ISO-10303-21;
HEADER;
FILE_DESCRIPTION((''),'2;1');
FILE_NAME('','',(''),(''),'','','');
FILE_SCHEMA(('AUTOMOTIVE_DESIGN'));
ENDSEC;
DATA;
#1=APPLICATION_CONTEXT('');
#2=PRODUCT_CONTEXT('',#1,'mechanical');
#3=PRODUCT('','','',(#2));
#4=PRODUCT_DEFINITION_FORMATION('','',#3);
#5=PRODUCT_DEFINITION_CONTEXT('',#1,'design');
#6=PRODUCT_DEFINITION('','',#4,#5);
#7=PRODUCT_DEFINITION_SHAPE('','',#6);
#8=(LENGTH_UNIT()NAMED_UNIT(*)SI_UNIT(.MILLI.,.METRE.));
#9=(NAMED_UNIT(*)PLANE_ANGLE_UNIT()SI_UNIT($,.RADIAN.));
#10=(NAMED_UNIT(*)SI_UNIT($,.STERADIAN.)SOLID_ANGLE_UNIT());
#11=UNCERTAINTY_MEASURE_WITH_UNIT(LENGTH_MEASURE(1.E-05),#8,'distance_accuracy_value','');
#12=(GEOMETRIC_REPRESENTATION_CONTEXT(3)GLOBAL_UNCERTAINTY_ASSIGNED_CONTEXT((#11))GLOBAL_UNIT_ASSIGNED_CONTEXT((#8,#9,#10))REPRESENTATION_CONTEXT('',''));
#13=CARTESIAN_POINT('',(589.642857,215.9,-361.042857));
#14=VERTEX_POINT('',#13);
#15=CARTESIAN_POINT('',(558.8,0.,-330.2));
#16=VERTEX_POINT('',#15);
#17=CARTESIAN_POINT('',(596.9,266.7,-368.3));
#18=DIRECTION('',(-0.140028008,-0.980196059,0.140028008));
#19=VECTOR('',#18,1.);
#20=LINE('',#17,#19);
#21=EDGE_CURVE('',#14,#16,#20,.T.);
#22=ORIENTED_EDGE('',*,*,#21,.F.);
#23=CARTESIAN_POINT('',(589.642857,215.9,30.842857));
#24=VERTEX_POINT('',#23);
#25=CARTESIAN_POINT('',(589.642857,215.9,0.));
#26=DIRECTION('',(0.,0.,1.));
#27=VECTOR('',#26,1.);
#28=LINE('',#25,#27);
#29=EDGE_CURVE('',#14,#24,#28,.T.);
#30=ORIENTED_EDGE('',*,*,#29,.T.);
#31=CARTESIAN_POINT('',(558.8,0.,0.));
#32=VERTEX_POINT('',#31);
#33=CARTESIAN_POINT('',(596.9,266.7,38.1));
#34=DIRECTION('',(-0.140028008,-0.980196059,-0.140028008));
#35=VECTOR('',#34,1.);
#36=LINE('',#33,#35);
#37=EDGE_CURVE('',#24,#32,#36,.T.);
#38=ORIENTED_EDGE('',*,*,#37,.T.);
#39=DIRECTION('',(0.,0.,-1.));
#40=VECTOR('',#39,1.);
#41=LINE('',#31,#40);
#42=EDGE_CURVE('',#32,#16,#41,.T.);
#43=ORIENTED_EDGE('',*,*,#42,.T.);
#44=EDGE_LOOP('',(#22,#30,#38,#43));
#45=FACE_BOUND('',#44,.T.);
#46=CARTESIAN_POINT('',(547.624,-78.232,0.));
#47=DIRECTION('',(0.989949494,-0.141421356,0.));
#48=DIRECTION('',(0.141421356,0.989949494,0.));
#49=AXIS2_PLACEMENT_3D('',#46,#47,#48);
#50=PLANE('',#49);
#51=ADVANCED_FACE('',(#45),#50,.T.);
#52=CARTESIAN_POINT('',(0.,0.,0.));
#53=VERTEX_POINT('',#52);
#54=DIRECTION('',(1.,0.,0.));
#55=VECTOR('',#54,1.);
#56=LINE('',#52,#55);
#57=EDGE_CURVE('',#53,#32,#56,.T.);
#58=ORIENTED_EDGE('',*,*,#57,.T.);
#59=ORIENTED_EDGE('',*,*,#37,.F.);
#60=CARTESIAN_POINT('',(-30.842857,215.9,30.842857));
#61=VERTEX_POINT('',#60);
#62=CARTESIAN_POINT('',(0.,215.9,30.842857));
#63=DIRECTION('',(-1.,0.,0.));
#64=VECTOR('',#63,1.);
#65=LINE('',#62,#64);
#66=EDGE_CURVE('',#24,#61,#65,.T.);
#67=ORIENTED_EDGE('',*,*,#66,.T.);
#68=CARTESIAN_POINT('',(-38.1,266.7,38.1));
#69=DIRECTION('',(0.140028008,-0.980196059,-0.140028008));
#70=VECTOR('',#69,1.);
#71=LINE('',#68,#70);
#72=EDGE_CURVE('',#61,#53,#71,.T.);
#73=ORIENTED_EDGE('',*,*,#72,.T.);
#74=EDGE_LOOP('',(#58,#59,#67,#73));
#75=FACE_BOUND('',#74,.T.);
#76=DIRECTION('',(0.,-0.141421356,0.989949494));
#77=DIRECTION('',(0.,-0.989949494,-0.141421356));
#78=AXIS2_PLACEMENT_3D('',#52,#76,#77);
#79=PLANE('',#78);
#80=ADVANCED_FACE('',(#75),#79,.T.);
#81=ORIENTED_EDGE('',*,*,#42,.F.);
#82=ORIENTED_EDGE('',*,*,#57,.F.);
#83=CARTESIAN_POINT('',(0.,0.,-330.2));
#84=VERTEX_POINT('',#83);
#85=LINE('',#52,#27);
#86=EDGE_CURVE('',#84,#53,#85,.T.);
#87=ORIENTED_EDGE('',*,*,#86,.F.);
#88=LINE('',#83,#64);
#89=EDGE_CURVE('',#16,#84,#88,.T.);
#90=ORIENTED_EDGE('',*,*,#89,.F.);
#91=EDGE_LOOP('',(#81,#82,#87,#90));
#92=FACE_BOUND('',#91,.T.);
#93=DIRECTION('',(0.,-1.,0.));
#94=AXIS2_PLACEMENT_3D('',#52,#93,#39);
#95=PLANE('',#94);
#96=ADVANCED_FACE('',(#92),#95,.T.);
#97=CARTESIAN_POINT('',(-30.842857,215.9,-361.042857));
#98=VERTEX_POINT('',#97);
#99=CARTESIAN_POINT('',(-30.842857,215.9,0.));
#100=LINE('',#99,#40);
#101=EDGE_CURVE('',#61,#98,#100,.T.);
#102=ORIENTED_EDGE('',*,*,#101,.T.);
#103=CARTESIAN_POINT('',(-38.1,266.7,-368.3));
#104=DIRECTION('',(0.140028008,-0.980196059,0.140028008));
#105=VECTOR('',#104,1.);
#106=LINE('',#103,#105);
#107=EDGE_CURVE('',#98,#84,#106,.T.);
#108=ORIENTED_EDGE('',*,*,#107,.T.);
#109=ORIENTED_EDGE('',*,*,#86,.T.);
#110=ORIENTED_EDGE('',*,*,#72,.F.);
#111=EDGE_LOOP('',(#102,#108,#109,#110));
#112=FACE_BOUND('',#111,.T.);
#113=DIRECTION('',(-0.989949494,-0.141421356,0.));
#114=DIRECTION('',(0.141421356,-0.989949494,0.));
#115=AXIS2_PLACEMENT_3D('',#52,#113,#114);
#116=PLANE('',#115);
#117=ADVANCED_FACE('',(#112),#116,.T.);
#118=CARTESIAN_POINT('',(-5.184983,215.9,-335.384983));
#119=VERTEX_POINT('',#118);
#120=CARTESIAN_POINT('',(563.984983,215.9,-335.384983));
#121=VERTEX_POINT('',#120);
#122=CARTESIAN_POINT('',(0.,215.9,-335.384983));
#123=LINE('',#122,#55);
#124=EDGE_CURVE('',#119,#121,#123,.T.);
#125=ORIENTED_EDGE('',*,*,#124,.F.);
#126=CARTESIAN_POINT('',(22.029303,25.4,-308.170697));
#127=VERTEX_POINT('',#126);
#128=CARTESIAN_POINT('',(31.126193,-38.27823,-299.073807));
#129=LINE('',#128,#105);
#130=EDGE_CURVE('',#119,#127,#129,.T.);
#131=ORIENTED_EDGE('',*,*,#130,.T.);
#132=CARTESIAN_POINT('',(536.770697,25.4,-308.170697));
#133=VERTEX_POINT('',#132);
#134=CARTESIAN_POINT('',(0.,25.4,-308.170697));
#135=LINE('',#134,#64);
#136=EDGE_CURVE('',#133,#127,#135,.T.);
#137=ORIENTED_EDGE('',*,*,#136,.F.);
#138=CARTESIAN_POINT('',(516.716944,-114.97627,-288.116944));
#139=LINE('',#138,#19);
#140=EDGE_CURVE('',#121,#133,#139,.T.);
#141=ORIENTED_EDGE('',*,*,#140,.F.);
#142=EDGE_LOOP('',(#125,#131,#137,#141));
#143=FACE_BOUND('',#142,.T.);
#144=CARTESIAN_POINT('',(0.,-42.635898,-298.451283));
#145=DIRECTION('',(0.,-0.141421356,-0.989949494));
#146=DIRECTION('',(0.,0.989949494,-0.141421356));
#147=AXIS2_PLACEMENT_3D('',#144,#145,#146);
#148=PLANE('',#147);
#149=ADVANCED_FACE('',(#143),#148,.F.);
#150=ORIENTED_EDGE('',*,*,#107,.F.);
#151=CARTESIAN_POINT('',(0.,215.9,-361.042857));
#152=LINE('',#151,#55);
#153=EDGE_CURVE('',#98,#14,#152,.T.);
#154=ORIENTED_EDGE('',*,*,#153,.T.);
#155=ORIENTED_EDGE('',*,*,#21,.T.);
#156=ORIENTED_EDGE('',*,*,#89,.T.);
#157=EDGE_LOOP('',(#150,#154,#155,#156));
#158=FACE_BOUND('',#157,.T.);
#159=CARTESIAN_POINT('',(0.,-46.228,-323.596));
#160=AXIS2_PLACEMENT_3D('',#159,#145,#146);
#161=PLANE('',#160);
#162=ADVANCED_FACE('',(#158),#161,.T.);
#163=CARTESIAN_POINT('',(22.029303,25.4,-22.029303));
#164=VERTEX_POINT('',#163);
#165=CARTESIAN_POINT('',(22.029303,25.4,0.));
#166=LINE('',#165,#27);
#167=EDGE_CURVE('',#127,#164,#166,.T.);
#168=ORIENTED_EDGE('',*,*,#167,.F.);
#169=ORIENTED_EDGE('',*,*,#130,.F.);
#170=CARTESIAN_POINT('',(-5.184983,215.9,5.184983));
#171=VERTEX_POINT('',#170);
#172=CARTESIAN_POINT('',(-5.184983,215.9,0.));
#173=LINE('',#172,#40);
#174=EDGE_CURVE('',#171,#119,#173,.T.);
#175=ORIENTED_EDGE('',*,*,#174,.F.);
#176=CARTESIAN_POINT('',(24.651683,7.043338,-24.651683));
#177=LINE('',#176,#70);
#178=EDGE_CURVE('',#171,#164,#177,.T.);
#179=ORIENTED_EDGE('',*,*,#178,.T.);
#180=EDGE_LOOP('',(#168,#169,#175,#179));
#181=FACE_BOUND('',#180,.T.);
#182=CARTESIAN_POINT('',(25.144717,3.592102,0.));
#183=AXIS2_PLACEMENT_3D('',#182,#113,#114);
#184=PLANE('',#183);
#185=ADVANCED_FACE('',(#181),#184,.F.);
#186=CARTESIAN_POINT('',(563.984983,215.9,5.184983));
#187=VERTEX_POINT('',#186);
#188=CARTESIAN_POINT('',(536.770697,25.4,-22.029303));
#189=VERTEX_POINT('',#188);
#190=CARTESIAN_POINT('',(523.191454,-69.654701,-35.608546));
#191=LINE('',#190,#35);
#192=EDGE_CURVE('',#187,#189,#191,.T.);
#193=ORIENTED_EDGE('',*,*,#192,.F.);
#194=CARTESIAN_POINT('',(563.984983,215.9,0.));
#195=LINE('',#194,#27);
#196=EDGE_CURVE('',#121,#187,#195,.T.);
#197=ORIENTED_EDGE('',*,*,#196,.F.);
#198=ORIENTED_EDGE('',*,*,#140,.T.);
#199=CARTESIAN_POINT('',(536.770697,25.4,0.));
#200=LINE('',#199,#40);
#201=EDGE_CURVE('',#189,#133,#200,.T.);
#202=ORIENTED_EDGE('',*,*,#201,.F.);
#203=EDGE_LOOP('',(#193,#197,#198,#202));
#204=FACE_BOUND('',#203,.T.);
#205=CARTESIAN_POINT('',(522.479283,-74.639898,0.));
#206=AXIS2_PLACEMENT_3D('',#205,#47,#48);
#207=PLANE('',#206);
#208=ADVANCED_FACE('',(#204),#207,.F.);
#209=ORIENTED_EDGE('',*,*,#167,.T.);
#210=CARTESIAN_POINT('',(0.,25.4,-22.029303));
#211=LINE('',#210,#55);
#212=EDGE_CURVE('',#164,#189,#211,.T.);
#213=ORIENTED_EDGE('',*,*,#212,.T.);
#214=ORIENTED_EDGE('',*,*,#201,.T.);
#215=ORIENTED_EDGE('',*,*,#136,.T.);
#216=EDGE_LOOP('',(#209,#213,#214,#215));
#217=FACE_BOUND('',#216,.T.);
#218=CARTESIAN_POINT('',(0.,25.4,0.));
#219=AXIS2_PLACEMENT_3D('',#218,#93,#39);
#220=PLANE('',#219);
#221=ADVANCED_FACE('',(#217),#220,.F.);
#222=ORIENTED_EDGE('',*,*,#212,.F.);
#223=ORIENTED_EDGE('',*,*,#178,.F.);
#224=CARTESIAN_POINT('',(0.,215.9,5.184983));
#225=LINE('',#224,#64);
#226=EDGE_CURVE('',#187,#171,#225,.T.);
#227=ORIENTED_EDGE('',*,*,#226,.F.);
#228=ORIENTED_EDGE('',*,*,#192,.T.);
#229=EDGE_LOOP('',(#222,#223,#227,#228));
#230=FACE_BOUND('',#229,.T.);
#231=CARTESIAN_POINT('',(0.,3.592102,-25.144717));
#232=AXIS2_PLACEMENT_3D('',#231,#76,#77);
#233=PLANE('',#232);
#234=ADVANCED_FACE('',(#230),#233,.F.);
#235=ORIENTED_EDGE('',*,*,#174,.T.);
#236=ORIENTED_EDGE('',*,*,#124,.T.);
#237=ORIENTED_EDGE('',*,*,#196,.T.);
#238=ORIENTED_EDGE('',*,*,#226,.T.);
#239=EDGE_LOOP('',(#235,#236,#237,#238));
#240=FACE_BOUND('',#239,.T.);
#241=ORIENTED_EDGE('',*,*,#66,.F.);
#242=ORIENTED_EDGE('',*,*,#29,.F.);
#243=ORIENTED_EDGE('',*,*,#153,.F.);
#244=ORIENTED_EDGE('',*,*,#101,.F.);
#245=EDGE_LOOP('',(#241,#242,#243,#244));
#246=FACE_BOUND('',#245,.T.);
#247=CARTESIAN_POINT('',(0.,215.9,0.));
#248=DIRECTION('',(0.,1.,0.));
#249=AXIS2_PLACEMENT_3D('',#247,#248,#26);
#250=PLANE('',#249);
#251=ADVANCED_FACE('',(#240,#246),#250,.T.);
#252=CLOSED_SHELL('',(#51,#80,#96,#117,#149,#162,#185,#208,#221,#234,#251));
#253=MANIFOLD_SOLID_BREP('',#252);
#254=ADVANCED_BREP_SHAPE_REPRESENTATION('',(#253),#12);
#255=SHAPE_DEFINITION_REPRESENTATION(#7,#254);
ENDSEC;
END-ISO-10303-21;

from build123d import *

# Parameters (mm, degrees)
SHELL1_T           = -25.4
SKETCH5_W          = 929.67589299
SKETCH5_H          = 559.095756772
CUT_EXTRUDE1_DEPTH = 50.8


with BuildPart() as part:
    # Sketch2 → Loft1 section 0
    with BuildSketch(Plane(origin=(0, 266.7, 0), x_dir=(1, 0, 0), z_dir=(0, 1, 0))):
        with BuildLine():
            Line((-38.1, -38.1), (596.9, -38.1))
            Line((596.9, -38.1), (596.9, 368.3))
            Line((596.9, 368.3), (-38.1, 368.3))
            Line((-38.1, 368.3), (-38.1, -38.1))
        make_face()
    # Sketch1 → Loft1 section 1
    with BuildSketch(Plane(origin=(0, 0, 0), x_dir=(1, 0, 0), z_dir=(0, 1, 0))):
        with BuildLine():
            Line((0, 0), (558.8, 0))
            Line((558.8, 0), (558.8, 330.2))
            Line((558.8, 330.2), (0, 330.2))
            Line((0, 330.2), (0, 0))
        make_face()
    loft()

    # Shell1
    shell1_openings = [part.faces().sort_by_distance(p)[0] for p in [
        (279.4, 266.7, -165.1),
    ]]
    offset(amount=SHELL1_T, openings=shell1_openings, kind=Kind.INTERSECTION)

    # Sketch5 → Cut-Extrude1 (cut)
    with BuildSketch(Plane(origin=(0, 215.9, 0), x_dir=(1, 0, 0), z_dir=(0, 1, 0))):
        with Locations((273.30728983, 168.325552443)):
            Rectangle(SKETCH5_W, SKETCH5_H)
    extrude(amount=CUT_EXTRUDE1_DEPTH, mode=Mode.SUBTRACT)


solid = part.part
